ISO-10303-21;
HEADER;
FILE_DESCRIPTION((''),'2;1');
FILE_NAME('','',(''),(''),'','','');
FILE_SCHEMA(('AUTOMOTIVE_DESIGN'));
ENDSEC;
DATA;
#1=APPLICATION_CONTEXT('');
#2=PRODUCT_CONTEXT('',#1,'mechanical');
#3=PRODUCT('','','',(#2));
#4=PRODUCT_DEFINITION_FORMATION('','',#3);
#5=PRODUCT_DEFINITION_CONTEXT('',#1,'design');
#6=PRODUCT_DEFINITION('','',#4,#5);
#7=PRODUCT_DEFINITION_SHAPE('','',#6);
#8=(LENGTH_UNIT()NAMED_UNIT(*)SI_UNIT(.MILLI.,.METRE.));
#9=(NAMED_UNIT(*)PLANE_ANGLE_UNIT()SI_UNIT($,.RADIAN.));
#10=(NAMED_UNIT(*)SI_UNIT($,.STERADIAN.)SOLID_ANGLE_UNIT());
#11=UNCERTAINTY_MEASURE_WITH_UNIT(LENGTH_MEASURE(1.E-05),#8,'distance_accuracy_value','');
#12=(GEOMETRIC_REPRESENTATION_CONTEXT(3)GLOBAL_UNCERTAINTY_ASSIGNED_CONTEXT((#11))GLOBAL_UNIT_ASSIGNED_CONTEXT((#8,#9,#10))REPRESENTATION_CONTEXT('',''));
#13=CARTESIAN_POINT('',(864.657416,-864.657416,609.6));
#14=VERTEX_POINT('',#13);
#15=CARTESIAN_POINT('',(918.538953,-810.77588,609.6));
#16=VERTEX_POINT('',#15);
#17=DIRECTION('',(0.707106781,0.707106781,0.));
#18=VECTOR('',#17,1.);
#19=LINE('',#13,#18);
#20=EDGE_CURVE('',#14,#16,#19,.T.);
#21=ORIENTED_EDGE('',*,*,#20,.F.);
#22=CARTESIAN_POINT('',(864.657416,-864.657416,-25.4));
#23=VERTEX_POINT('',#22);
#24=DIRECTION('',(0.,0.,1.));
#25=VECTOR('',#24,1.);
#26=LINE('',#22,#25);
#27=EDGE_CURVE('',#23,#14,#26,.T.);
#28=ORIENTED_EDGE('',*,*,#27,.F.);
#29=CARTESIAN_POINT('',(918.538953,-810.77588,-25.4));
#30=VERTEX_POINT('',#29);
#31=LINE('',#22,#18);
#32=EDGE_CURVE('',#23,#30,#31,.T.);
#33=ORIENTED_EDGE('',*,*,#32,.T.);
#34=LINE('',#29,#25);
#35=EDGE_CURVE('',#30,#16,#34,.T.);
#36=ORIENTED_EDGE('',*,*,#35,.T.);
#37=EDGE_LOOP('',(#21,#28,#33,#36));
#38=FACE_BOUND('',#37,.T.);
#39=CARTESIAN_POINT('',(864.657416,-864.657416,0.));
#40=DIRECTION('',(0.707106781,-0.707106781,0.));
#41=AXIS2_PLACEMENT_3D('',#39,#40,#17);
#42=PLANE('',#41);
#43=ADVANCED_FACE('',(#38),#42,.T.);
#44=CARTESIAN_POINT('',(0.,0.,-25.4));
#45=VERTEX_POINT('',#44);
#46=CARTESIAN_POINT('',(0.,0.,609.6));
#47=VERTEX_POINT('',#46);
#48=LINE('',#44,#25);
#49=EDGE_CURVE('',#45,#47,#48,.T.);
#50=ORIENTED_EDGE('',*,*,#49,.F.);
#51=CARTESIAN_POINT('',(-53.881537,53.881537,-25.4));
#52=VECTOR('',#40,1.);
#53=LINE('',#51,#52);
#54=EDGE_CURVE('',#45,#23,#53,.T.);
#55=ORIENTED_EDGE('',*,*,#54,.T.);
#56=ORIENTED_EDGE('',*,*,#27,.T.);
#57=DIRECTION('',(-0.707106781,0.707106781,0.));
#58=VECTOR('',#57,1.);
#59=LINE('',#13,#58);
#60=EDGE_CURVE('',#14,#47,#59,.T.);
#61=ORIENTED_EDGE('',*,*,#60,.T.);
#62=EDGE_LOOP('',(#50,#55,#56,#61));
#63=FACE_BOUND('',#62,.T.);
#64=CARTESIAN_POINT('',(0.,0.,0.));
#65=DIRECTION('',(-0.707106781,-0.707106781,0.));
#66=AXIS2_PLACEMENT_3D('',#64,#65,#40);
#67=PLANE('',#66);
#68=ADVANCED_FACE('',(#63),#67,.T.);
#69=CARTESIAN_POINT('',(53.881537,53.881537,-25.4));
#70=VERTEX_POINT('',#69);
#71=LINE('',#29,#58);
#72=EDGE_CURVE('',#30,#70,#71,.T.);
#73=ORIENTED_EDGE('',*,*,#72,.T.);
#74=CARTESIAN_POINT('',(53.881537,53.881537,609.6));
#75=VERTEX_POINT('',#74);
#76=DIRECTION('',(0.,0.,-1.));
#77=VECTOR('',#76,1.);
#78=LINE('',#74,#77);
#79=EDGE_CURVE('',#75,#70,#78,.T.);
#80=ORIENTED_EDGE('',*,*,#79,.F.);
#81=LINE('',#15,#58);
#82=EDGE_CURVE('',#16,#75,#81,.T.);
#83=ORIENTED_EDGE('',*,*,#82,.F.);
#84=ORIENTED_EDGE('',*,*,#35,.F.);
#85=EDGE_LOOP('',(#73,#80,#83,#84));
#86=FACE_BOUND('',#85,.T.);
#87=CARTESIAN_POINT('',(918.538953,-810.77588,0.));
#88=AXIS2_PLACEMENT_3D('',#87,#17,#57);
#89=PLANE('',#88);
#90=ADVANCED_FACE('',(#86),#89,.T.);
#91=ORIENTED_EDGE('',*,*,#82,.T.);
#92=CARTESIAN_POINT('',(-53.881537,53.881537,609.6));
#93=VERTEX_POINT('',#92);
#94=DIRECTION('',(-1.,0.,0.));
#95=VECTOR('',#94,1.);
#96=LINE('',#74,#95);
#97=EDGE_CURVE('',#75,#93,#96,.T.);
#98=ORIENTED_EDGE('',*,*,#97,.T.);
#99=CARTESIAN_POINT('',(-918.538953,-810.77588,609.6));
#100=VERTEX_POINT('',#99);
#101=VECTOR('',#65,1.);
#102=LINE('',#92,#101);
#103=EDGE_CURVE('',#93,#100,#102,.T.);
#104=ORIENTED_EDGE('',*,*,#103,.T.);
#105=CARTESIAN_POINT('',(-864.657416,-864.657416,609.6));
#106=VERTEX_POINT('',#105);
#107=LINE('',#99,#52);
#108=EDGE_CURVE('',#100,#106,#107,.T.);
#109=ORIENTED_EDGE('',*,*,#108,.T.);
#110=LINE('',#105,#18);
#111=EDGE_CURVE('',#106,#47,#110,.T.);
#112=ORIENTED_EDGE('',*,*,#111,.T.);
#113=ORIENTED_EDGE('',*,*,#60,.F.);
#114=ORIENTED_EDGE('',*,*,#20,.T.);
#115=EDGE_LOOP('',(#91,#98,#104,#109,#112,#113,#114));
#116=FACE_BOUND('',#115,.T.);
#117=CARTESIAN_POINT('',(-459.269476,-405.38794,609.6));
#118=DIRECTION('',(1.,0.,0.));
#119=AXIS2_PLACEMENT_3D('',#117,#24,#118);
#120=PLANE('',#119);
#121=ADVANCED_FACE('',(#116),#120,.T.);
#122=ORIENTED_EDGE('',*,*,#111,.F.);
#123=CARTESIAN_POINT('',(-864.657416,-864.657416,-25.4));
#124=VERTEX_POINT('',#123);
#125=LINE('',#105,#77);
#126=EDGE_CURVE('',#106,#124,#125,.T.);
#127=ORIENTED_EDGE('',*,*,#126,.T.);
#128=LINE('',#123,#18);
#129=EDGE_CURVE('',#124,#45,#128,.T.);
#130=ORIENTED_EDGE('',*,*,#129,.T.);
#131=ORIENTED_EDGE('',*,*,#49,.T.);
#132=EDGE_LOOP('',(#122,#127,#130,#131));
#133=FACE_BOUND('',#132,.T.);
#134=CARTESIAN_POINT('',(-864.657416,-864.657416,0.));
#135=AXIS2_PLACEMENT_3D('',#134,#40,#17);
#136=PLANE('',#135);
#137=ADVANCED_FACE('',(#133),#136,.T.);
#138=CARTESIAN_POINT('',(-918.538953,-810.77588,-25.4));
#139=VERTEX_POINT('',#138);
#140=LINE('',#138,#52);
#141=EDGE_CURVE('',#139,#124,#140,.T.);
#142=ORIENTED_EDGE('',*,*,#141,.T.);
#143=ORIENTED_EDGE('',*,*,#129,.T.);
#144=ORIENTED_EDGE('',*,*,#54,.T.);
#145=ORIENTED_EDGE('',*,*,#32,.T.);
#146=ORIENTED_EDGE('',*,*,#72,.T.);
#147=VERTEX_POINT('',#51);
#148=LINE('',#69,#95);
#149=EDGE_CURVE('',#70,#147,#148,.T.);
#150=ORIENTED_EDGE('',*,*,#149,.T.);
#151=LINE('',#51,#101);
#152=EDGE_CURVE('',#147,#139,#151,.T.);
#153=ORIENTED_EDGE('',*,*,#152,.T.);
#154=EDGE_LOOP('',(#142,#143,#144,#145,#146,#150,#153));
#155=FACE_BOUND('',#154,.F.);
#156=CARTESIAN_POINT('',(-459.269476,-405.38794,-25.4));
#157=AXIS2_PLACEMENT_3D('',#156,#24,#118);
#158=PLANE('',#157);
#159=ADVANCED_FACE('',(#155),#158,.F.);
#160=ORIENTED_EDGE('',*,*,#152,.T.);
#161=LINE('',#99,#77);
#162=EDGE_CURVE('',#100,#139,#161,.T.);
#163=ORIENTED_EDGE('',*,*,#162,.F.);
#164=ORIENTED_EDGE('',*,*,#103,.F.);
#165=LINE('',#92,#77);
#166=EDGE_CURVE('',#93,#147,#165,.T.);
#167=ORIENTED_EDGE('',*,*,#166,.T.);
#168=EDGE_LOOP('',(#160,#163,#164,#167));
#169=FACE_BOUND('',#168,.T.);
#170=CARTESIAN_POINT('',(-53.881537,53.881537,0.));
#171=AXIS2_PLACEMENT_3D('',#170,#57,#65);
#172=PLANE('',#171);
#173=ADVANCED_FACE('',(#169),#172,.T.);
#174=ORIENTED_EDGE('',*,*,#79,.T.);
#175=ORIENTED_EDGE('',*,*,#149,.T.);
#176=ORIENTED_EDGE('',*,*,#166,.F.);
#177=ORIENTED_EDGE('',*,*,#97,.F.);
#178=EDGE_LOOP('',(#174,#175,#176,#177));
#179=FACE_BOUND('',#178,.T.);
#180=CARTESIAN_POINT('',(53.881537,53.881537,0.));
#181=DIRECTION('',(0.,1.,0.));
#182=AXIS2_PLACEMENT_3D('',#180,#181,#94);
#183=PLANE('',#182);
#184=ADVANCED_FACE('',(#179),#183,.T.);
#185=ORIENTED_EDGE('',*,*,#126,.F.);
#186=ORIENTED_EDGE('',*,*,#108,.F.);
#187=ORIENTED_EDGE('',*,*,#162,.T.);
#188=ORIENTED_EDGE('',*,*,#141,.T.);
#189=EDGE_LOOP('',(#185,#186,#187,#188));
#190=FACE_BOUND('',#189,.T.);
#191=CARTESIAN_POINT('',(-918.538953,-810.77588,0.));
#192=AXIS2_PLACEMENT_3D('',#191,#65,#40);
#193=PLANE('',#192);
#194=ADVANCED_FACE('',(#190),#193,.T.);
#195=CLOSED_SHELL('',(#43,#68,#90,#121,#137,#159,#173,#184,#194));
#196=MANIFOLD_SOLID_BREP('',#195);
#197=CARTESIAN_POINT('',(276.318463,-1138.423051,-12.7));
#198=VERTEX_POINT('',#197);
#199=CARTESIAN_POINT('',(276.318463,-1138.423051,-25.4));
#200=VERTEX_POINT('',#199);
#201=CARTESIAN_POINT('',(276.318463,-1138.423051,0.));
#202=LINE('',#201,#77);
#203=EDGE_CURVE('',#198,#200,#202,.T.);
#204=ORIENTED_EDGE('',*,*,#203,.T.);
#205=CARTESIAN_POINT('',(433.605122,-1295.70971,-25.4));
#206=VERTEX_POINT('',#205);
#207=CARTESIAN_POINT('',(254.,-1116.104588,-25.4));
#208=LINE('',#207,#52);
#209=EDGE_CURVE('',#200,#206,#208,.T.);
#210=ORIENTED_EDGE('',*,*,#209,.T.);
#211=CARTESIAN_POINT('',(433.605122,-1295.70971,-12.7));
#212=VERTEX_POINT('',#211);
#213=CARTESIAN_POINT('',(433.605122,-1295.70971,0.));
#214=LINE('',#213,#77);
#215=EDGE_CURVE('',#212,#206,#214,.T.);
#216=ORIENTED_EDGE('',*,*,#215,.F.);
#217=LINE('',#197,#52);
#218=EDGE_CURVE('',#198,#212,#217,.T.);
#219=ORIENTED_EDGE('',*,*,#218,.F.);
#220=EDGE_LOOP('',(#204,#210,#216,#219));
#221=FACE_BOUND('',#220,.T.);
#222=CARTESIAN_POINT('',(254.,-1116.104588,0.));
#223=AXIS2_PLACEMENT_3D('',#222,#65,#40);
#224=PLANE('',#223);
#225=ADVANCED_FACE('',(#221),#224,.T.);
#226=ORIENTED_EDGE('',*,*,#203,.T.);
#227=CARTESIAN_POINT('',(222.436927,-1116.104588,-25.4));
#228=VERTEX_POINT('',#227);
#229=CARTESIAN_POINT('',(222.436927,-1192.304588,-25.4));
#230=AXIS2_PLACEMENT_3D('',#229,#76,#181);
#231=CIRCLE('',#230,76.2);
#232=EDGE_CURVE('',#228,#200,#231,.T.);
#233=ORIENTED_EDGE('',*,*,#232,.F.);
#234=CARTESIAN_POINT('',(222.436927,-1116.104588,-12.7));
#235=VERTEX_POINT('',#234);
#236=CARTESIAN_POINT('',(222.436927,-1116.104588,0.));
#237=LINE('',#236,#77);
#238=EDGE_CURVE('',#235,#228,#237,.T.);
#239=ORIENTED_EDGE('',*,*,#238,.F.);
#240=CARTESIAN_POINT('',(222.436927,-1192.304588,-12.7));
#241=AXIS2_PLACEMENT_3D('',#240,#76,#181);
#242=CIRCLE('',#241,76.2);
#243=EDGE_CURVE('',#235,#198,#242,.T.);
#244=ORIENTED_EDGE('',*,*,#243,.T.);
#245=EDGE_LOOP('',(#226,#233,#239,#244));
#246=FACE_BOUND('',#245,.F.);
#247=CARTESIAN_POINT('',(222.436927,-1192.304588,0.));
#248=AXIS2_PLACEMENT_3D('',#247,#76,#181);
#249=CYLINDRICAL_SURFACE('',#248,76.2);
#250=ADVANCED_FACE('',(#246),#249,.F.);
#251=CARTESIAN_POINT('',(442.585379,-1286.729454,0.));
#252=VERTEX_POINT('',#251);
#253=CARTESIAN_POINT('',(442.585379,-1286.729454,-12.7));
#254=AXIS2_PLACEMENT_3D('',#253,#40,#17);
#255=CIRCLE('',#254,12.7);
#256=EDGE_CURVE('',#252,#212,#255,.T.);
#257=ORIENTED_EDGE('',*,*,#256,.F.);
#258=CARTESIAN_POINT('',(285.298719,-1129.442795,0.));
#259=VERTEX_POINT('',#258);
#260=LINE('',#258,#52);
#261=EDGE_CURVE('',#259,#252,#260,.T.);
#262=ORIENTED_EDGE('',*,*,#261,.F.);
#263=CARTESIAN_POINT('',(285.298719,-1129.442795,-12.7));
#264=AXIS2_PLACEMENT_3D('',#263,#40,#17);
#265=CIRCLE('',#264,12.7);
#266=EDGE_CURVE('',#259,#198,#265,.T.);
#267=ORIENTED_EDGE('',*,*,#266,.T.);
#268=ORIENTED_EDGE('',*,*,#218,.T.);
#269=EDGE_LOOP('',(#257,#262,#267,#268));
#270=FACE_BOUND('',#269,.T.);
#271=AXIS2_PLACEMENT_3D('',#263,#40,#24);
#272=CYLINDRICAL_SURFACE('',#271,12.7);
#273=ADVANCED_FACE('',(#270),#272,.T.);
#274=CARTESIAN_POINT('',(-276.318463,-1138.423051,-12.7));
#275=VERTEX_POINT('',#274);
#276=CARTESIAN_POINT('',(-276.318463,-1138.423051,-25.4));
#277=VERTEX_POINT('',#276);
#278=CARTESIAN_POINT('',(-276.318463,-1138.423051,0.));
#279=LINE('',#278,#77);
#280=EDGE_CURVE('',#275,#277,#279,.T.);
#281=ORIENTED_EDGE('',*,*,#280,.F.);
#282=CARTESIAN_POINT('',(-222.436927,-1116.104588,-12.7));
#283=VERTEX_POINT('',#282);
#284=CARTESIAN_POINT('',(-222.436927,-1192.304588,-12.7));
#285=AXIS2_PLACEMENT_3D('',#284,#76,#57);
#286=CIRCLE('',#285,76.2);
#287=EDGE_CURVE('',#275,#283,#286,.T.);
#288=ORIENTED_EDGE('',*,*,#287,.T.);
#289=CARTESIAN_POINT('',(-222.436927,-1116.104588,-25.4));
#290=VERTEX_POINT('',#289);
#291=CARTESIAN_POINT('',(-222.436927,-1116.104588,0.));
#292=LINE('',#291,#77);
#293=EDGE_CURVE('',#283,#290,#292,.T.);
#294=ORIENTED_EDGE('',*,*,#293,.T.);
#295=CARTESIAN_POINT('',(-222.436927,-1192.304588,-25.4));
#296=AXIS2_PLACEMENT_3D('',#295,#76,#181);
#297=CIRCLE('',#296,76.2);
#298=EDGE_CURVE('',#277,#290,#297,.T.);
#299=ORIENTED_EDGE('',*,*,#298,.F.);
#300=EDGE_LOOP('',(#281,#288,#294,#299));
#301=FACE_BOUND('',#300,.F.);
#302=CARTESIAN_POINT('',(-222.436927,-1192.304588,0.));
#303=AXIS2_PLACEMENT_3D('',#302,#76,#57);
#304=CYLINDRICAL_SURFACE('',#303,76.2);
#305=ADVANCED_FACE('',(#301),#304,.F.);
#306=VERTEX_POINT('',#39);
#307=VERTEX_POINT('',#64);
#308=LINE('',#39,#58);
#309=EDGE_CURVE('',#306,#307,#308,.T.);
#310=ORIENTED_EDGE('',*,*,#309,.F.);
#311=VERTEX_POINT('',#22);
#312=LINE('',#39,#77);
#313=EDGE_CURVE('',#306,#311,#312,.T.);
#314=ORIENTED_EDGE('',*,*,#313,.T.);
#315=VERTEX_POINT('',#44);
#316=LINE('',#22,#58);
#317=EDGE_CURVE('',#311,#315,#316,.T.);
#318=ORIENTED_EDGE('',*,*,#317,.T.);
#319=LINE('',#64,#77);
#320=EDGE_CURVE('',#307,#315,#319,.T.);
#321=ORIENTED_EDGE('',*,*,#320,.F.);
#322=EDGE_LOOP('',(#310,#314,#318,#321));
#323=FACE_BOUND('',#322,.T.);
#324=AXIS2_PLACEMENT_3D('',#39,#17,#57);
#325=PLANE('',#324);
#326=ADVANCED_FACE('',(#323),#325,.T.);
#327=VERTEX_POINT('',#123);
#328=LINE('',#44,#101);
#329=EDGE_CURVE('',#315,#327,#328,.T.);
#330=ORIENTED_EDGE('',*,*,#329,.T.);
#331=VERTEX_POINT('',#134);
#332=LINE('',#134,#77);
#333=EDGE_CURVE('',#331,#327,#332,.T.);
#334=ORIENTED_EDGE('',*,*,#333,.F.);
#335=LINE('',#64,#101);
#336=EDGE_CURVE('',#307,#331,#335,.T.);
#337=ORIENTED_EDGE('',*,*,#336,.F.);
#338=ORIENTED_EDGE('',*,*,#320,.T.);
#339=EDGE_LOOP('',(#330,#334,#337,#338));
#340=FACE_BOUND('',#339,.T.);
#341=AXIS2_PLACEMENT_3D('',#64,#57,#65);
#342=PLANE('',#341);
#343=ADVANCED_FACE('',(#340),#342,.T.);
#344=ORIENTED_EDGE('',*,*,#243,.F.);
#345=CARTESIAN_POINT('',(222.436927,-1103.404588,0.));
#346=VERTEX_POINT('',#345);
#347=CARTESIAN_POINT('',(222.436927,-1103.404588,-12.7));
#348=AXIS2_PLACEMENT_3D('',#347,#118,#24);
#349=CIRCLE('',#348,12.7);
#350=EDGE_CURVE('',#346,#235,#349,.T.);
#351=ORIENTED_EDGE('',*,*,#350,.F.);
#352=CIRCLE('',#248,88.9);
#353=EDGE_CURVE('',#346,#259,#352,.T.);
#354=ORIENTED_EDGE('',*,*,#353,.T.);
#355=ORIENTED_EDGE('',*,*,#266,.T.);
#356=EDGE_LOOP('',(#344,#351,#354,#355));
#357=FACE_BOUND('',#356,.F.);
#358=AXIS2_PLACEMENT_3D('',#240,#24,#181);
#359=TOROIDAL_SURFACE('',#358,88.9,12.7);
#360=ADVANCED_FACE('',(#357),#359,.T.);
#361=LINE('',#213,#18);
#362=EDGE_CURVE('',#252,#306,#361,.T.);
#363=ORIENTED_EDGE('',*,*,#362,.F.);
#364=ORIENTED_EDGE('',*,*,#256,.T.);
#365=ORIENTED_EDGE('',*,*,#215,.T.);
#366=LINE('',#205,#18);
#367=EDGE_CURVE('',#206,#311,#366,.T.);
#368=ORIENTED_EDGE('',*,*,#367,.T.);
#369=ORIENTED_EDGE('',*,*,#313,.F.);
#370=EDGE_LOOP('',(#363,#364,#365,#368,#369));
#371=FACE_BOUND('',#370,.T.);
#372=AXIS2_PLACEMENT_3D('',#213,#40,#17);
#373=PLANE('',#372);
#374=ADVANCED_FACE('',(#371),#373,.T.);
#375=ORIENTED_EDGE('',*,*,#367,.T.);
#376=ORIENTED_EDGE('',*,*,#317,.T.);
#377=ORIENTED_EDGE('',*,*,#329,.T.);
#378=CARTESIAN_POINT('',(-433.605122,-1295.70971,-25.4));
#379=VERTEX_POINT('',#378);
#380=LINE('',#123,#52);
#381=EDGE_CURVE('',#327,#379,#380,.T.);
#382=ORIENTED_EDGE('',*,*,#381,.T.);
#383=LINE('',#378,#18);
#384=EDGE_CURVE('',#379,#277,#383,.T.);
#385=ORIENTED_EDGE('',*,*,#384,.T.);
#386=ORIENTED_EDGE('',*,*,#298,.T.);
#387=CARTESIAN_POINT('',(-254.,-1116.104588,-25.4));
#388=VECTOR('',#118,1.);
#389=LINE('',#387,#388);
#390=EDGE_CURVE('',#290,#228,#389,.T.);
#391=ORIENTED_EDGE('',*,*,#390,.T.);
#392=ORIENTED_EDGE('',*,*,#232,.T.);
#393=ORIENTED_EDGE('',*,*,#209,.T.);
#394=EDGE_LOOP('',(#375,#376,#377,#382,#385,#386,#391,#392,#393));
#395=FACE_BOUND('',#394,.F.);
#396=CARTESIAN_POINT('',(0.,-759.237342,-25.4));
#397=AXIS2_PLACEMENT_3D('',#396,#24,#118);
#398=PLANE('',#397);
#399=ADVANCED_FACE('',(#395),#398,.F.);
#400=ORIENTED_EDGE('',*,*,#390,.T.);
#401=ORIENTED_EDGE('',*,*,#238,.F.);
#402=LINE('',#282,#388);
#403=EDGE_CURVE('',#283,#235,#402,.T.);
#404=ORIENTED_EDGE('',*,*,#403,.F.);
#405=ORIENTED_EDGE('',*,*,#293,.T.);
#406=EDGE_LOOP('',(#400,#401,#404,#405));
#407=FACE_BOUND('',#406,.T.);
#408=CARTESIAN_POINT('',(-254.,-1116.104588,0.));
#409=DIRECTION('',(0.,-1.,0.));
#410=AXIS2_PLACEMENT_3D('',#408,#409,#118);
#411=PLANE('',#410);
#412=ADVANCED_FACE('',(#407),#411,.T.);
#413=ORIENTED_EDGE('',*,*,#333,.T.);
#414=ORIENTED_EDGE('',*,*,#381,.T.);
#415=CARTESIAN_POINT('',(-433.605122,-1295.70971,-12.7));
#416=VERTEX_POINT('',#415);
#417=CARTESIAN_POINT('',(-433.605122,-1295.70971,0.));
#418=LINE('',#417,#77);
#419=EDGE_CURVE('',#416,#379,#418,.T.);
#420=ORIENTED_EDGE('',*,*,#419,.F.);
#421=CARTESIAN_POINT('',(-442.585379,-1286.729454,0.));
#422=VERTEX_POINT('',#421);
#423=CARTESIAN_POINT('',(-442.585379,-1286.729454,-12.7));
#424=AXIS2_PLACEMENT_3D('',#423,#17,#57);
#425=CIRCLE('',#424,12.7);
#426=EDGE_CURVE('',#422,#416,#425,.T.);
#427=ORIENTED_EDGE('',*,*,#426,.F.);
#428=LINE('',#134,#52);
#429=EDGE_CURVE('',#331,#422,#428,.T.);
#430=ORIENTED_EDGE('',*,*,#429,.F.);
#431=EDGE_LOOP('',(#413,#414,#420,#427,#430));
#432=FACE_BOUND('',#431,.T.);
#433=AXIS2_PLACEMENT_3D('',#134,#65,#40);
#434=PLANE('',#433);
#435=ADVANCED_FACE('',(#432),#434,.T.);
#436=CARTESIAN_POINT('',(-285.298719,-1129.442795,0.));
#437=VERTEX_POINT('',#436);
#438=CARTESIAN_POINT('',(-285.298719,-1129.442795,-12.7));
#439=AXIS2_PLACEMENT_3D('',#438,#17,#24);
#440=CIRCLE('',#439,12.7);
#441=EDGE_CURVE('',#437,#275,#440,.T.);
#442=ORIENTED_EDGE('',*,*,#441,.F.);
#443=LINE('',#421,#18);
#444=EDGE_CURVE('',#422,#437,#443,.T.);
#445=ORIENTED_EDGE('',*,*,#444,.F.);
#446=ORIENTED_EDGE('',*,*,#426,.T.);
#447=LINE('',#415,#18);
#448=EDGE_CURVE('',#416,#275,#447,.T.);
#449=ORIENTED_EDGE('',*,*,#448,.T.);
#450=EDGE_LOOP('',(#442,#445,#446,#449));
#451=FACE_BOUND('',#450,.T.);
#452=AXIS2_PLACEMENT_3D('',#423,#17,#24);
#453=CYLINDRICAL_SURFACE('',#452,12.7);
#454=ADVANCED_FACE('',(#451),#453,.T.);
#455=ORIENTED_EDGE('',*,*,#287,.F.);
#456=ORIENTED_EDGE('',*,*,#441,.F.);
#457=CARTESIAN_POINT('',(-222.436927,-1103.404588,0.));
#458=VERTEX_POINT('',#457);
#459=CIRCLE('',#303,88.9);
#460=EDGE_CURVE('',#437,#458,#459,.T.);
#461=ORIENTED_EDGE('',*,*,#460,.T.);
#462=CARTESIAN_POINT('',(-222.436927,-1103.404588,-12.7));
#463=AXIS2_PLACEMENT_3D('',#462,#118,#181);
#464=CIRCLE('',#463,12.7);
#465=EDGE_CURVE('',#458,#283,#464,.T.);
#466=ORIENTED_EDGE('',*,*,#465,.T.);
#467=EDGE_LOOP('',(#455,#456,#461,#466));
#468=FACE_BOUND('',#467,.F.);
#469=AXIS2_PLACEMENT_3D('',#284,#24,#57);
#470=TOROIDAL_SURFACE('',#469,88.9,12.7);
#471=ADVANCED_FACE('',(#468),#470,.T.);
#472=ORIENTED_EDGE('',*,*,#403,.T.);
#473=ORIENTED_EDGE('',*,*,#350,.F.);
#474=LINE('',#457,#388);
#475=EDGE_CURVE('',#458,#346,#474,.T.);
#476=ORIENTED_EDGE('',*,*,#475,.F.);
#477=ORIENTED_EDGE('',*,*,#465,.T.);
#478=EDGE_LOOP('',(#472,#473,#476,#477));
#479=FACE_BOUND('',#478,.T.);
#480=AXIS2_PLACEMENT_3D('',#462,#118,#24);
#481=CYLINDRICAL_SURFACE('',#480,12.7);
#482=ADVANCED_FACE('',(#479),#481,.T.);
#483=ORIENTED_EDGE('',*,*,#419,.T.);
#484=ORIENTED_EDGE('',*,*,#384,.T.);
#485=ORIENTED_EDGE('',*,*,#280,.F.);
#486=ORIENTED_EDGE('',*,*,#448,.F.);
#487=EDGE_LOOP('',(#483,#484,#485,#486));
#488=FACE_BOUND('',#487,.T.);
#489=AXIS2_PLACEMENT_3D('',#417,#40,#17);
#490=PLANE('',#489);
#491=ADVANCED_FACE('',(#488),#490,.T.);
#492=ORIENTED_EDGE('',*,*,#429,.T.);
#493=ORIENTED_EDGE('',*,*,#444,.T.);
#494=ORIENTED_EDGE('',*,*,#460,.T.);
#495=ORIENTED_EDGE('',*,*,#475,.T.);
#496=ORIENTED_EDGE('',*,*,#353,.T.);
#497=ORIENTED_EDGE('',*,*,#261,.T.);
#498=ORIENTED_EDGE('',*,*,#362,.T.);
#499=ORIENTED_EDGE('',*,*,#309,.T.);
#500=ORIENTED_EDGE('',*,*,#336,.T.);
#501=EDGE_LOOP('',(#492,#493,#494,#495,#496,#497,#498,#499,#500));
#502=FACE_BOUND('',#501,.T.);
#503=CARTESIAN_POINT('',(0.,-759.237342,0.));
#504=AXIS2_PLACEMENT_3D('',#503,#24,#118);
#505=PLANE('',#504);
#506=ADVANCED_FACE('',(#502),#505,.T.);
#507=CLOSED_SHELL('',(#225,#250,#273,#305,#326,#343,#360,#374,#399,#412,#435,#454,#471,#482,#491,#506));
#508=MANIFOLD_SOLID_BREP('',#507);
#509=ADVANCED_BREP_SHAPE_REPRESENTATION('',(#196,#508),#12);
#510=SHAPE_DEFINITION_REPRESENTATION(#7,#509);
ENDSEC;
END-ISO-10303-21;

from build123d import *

# Parameters (mm, degrees)
F1_DEPTH      = 25.4
F2_DEPTH      = 609.6
F2_DEPTH_BACK = 25.4
F3_DEPTH      = 609.6
F3_DEPTH_BACK = 25.4
F4_DEPTH      = 609.6
F4_DEPTH_BACK = 25.4
F5_R          = 76.2
F6_R          = 12.7


with BuildPart() as f1:
    # F0 (on Top) → F1 (new body)
    with BuildSketch(Plane.XY):
        Polygon((433.6051224214, -1295.709710044), (864.6574162327, -864.6574162327), (0, 0), (-864.6574162327, -864.6574162327), (-433.6051224214, -1295.709710044), (-254, -1116.1045876226), (254, -1116.1045876226), align=None)
    extrude(amount=-F1_DEPTH)

    # F5
    f5_edges = [f1.edges().sort_by_distance(p)[0] for p in [
        (-254, -1116.104588, -12.7),
        (254, -1116.104588, -12.7),
    ]]
    fillet(f5_edges, radius=F5_R)

    # F6
    f6_edges = [f1.edges().sort_by_distance(p)[0] for p in [
        (354.961793, -1217.06638, 0),
    ]]
    fillet(f6_edges, radius=F6_R)


with BuildPart() as f2:
    # F0 (on Top) → F2 (new body, two sides)
    with BuildSketch(Plane.XY) as f2_sk:
        Polygon((-53.8815367264, 53.8815367264), (0, 0), (53.8815367264, 53.8815367264), align=None)
    extrude(amount=F2_DEPTH)
    extrude(f2_sk.sketch, amount=-F2_DEPTH_BACK)

    # F0 (on Top) → F3 (join, two sides)
    with BuildSketch(Plane.XY) as f3_sk:
        Polygon((0, 0), (864.6574162327, -864.6574162327), (918.5389529591, -810.7758795063), (53.8815367264, 53.8815367264), align=None)
    extrude(amount=F3_DEPTH)
    extrude(f3_sk.sketch, amount=-F3_DEPTH_BACK)

    # F0 (on Top) → F4 (join, two sides)
    with BuildSketch(Plane.XY) as f4_sk:
        Polygon((-864.6574162327, -864.6574162327), (0, 0), (-53.8815367264, 53.8815367264), (-918.5389529591, -810.7758795063), align=None)
    extrude(amount=F4_DEPTH)
    extrude(f4_sk.sketch, amount=-F4_DEPTH_BACK)


solid = Compound([f1.part, f2.part])
